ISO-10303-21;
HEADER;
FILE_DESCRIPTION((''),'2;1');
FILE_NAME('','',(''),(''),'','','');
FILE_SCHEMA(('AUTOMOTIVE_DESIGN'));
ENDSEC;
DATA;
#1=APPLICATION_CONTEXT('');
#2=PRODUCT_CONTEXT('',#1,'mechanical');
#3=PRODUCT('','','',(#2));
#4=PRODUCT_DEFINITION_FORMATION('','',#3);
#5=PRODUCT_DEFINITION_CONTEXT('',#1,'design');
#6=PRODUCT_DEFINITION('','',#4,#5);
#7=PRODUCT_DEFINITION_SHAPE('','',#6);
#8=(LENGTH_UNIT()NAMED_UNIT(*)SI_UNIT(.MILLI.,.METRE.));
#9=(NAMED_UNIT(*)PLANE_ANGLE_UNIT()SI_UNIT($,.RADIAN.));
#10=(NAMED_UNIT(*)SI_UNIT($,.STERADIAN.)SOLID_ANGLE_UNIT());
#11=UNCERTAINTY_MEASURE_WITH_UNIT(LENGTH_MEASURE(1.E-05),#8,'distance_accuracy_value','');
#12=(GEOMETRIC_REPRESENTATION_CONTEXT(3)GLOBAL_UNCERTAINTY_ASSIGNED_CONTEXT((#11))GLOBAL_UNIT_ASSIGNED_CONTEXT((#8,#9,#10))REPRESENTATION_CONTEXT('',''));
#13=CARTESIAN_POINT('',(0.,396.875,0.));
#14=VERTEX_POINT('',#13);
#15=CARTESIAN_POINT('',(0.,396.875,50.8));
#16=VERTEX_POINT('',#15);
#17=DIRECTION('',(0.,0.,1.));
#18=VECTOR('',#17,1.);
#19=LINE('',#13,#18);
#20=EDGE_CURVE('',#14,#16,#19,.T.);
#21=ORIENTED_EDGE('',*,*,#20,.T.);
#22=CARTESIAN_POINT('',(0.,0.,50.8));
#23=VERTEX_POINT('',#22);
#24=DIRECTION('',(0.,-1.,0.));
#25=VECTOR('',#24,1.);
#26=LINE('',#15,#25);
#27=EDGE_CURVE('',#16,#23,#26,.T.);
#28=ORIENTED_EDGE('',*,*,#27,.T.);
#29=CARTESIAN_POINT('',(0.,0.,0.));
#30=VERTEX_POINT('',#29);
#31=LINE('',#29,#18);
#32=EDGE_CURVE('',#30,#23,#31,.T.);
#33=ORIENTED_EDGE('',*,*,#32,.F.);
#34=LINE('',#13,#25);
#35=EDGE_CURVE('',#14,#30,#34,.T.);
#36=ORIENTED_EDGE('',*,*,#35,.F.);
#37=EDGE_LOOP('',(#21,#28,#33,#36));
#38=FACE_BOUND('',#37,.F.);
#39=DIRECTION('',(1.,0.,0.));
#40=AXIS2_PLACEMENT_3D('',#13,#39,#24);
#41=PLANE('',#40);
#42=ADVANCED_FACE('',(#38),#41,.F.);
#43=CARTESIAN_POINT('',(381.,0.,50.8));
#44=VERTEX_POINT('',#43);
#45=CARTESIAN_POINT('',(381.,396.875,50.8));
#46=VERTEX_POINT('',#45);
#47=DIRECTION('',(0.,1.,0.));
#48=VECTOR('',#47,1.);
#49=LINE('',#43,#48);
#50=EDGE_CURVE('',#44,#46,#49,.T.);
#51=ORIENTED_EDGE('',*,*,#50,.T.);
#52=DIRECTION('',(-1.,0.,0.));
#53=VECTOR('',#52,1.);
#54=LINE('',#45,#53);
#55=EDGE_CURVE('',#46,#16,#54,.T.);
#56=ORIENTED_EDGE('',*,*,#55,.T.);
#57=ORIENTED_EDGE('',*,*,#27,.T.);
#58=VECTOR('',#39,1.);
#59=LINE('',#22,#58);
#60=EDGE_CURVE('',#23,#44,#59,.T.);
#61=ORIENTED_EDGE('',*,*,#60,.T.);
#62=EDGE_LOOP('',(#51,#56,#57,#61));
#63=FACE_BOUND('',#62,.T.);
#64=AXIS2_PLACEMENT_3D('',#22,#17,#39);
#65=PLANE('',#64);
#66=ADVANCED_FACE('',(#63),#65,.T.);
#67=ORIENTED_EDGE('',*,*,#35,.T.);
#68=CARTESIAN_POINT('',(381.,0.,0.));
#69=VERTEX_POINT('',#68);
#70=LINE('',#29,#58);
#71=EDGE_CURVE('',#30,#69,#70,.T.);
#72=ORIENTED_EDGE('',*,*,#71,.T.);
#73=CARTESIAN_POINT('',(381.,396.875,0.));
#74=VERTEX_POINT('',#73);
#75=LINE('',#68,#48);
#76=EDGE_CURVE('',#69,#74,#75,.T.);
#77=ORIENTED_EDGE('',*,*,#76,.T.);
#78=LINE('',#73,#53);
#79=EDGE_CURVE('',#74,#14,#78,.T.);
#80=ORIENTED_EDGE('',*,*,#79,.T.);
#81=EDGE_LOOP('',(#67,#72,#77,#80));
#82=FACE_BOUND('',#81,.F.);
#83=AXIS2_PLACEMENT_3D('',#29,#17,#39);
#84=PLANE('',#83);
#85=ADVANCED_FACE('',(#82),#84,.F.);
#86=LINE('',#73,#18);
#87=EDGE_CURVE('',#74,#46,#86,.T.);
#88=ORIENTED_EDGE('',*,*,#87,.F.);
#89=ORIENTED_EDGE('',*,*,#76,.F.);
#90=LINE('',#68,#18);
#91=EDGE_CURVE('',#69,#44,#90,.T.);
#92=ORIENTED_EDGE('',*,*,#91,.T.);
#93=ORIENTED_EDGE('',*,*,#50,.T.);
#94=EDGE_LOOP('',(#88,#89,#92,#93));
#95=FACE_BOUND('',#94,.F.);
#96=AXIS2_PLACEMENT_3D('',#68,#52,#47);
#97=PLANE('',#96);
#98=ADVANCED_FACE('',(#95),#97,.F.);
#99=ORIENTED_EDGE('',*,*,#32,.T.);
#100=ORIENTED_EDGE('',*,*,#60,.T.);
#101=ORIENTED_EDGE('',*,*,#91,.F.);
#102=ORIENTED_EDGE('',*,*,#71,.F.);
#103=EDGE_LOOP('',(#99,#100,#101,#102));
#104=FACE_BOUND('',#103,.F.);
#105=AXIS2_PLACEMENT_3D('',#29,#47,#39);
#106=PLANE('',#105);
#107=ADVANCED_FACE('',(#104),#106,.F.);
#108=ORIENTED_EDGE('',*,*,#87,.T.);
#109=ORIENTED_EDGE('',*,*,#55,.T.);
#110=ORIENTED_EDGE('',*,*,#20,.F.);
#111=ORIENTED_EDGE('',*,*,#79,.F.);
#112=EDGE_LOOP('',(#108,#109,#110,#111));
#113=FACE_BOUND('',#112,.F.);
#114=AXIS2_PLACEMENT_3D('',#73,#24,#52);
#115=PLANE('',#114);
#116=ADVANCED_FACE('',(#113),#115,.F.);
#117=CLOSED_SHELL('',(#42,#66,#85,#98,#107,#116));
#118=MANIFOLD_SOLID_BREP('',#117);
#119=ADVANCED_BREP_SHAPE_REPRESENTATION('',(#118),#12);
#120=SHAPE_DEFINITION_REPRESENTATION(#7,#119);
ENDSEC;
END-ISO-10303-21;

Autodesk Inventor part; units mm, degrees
ref_plane "YZ Plane" through (0, 0, 0) normal (1, 0, 0) x (0, 1, 0)
ref_plane "XZ Plane" through (0, 0, 0) normal (0, 1, 0) x (-1, 0, 0)
ref_plane "XY Plane" through (0, 0, 0) normal (0, 0, 1) x (1, 0, 0)
sketch "Sketch2" plane through (0, 0, 0) normal (0, 0, 1) x (1, 0, 0)
  line L0 (0, 0) -> (381, 0)
  line L1 (381, 0) -> (381, 396.875)
  line L2 (381, 396.875) -> (0, 396.875)
  line L3 (0, 396.875) -> (0, 0)
  dimension "d4" = 381
  dimension "d5" = 396.875
extrude "Extrusion2" add sketch "Sketch2" along normal blind 50.8
properties part number "ControlBoard"
